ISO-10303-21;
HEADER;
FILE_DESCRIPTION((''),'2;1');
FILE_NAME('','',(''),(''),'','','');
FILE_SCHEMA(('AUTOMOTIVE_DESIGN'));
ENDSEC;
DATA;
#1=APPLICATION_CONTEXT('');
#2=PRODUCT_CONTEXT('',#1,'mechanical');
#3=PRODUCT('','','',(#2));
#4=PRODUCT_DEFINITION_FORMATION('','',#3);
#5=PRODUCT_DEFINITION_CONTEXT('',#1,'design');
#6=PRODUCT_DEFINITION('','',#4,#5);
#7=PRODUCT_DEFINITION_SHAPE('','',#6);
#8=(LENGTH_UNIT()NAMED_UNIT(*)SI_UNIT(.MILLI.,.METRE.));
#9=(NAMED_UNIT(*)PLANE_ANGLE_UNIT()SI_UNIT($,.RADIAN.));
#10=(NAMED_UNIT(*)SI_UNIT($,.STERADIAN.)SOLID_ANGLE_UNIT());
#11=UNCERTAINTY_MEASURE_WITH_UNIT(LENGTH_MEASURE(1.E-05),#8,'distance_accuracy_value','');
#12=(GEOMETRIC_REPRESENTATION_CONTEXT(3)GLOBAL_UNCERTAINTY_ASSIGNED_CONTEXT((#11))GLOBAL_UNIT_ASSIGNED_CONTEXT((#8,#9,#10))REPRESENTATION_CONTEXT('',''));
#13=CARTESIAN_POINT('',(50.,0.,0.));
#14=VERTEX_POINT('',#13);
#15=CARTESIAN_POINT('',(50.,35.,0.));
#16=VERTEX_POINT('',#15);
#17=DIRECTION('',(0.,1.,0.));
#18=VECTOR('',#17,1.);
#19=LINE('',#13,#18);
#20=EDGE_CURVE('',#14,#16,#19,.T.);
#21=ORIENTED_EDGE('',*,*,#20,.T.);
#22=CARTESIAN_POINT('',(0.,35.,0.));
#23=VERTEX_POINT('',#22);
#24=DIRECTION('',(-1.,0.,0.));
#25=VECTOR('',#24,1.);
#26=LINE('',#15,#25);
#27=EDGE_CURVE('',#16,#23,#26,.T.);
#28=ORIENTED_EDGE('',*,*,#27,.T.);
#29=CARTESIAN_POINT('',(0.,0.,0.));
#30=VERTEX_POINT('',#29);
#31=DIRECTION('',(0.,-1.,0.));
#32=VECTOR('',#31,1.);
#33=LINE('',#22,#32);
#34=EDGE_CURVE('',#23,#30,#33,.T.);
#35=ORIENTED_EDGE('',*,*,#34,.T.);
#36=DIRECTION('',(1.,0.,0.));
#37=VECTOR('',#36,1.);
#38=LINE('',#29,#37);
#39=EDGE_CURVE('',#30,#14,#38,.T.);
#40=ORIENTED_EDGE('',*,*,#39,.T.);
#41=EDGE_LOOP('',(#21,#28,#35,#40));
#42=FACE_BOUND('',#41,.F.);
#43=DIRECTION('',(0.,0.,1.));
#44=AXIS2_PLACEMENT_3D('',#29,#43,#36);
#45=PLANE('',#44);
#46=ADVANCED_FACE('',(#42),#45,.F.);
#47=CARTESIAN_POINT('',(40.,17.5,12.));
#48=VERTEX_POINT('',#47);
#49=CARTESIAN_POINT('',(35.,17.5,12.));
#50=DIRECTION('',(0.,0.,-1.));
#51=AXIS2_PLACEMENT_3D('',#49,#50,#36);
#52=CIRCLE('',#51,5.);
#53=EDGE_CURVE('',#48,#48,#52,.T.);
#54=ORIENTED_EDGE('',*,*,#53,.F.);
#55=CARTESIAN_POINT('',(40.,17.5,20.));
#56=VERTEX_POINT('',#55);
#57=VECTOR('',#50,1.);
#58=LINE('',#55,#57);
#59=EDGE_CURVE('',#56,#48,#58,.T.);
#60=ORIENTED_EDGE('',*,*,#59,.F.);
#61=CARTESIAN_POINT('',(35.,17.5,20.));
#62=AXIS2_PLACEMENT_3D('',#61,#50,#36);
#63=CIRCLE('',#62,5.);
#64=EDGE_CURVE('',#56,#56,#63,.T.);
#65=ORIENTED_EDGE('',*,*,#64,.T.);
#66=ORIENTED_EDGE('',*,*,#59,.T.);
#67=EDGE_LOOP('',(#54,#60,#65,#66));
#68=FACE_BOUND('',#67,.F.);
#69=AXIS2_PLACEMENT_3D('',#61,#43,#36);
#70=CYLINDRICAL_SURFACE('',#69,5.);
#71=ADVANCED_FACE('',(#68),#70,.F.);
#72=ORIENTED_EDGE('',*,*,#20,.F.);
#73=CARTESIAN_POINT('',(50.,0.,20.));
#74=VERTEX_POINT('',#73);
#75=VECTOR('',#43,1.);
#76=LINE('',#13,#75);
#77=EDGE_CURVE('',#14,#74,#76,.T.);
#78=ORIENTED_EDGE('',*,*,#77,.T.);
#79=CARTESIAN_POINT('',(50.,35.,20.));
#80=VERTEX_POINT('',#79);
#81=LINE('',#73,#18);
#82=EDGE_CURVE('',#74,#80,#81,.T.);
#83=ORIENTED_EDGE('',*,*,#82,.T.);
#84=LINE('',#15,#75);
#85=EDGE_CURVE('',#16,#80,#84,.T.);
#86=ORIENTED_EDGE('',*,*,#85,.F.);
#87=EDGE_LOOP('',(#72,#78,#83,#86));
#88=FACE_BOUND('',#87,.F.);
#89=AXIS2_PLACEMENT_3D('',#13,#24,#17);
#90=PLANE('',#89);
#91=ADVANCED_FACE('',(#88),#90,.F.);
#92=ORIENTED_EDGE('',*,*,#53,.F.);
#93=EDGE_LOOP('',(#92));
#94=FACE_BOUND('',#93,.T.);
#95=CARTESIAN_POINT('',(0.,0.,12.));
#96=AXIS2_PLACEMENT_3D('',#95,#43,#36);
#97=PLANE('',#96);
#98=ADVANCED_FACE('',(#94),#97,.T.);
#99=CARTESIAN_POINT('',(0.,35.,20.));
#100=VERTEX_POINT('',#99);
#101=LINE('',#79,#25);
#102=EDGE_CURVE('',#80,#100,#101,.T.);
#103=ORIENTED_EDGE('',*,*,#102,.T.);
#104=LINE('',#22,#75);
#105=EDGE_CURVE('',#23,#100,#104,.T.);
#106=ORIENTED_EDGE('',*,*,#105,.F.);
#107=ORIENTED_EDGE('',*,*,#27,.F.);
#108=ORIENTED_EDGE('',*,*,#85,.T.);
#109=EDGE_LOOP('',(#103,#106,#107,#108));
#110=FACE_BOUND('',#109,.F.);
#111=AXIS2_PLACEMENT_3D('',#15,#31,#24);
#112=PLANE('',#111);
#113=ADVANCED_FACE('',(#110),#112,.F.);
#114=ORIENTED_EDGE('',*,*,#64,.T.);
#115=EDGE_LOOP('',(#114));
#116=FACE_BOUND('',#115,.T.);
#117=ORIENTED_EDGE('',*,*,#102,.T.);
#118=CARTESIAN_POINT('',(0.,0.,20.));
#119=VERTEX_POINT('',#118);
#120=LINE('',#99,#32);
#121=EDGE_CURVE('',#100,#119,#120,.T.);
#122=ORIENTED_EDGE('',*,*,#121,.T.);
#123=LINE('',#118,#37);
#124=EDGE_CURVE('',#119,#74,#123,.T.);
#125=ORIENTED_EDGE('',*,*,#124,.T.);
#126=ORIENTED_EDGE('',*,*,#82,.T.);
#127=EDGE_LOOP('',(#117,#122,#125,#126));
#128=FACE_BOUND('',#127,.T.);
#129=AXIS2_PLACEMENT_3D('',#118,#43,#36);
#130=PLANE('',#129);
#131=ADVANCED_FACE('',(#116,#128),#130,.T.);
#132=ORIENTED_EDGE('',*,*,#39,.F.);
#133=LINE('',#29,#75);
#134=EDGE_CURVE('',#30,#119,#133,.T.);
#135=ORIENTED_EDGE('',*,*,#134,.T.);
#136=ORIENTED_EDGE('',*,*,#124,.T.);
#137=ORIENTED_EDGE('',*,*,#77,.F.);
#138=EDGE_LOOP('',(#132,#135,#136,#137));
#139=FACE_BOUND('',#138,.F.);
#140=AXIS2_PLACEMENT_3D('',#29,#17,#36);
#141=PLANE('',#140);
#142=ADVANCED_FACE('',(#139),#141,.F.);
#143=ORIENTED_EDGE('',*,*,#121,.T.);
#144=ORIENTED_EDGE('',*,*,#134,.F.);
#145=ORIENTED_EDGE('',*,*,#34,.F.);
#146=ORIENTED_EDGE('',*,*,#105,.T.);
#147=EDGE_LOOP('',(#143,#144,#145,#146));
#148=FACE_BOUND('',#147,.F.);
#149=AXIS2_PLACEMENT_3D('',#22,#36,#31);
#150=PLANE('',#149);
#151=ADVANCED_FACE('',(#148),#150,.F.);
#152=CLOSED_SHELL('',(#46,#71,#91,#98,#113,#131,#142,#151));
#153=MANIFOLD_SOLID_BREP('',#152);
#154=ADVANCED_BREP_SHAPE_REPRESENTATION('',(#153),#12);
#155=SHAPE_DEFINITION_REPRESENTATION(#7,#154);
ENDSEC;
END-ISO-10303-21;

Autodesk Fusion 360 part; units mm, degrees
sketch "草图1" plane through (0, 0, 0) normal (0, 0, 1) x (1, 0, 0)
  line L0 (0, 0) -> (50, 0)
  line L1 (50, 0) -> (50, 35)
  line L2 (50, 35) -> (0, 35)
  line L3 (0, 35) -> (0, 0)
  dimension "d1" = 35
  dimension "d2" = 50
extrude "拉伸1" add sketch "草图1" along normal blind 20
sketch "草图2" plane through (0, 0, 20) normal (0, 0, 1) x (1, 0, 0)
  line L0 (0, 35) -> (0, 0)
  line L1 (0, 0) -> (50, 0)
  line L2 (50, 0) -> (50, 35)
  line L3 (50, 35) -> (0, 35)
  line L4 (0, 0) -> (35, 0)
  line L5 (35, 0) -> (35, 17.5)
  circle A0 centre (35, 17.5) radius 5
  dimension "d5" = 35
  dimension "d6" = 17.5
  dimension "d7" = 10
extrude "拉伸2" cut sketch "草图2" against normal blind 8 contours A0
